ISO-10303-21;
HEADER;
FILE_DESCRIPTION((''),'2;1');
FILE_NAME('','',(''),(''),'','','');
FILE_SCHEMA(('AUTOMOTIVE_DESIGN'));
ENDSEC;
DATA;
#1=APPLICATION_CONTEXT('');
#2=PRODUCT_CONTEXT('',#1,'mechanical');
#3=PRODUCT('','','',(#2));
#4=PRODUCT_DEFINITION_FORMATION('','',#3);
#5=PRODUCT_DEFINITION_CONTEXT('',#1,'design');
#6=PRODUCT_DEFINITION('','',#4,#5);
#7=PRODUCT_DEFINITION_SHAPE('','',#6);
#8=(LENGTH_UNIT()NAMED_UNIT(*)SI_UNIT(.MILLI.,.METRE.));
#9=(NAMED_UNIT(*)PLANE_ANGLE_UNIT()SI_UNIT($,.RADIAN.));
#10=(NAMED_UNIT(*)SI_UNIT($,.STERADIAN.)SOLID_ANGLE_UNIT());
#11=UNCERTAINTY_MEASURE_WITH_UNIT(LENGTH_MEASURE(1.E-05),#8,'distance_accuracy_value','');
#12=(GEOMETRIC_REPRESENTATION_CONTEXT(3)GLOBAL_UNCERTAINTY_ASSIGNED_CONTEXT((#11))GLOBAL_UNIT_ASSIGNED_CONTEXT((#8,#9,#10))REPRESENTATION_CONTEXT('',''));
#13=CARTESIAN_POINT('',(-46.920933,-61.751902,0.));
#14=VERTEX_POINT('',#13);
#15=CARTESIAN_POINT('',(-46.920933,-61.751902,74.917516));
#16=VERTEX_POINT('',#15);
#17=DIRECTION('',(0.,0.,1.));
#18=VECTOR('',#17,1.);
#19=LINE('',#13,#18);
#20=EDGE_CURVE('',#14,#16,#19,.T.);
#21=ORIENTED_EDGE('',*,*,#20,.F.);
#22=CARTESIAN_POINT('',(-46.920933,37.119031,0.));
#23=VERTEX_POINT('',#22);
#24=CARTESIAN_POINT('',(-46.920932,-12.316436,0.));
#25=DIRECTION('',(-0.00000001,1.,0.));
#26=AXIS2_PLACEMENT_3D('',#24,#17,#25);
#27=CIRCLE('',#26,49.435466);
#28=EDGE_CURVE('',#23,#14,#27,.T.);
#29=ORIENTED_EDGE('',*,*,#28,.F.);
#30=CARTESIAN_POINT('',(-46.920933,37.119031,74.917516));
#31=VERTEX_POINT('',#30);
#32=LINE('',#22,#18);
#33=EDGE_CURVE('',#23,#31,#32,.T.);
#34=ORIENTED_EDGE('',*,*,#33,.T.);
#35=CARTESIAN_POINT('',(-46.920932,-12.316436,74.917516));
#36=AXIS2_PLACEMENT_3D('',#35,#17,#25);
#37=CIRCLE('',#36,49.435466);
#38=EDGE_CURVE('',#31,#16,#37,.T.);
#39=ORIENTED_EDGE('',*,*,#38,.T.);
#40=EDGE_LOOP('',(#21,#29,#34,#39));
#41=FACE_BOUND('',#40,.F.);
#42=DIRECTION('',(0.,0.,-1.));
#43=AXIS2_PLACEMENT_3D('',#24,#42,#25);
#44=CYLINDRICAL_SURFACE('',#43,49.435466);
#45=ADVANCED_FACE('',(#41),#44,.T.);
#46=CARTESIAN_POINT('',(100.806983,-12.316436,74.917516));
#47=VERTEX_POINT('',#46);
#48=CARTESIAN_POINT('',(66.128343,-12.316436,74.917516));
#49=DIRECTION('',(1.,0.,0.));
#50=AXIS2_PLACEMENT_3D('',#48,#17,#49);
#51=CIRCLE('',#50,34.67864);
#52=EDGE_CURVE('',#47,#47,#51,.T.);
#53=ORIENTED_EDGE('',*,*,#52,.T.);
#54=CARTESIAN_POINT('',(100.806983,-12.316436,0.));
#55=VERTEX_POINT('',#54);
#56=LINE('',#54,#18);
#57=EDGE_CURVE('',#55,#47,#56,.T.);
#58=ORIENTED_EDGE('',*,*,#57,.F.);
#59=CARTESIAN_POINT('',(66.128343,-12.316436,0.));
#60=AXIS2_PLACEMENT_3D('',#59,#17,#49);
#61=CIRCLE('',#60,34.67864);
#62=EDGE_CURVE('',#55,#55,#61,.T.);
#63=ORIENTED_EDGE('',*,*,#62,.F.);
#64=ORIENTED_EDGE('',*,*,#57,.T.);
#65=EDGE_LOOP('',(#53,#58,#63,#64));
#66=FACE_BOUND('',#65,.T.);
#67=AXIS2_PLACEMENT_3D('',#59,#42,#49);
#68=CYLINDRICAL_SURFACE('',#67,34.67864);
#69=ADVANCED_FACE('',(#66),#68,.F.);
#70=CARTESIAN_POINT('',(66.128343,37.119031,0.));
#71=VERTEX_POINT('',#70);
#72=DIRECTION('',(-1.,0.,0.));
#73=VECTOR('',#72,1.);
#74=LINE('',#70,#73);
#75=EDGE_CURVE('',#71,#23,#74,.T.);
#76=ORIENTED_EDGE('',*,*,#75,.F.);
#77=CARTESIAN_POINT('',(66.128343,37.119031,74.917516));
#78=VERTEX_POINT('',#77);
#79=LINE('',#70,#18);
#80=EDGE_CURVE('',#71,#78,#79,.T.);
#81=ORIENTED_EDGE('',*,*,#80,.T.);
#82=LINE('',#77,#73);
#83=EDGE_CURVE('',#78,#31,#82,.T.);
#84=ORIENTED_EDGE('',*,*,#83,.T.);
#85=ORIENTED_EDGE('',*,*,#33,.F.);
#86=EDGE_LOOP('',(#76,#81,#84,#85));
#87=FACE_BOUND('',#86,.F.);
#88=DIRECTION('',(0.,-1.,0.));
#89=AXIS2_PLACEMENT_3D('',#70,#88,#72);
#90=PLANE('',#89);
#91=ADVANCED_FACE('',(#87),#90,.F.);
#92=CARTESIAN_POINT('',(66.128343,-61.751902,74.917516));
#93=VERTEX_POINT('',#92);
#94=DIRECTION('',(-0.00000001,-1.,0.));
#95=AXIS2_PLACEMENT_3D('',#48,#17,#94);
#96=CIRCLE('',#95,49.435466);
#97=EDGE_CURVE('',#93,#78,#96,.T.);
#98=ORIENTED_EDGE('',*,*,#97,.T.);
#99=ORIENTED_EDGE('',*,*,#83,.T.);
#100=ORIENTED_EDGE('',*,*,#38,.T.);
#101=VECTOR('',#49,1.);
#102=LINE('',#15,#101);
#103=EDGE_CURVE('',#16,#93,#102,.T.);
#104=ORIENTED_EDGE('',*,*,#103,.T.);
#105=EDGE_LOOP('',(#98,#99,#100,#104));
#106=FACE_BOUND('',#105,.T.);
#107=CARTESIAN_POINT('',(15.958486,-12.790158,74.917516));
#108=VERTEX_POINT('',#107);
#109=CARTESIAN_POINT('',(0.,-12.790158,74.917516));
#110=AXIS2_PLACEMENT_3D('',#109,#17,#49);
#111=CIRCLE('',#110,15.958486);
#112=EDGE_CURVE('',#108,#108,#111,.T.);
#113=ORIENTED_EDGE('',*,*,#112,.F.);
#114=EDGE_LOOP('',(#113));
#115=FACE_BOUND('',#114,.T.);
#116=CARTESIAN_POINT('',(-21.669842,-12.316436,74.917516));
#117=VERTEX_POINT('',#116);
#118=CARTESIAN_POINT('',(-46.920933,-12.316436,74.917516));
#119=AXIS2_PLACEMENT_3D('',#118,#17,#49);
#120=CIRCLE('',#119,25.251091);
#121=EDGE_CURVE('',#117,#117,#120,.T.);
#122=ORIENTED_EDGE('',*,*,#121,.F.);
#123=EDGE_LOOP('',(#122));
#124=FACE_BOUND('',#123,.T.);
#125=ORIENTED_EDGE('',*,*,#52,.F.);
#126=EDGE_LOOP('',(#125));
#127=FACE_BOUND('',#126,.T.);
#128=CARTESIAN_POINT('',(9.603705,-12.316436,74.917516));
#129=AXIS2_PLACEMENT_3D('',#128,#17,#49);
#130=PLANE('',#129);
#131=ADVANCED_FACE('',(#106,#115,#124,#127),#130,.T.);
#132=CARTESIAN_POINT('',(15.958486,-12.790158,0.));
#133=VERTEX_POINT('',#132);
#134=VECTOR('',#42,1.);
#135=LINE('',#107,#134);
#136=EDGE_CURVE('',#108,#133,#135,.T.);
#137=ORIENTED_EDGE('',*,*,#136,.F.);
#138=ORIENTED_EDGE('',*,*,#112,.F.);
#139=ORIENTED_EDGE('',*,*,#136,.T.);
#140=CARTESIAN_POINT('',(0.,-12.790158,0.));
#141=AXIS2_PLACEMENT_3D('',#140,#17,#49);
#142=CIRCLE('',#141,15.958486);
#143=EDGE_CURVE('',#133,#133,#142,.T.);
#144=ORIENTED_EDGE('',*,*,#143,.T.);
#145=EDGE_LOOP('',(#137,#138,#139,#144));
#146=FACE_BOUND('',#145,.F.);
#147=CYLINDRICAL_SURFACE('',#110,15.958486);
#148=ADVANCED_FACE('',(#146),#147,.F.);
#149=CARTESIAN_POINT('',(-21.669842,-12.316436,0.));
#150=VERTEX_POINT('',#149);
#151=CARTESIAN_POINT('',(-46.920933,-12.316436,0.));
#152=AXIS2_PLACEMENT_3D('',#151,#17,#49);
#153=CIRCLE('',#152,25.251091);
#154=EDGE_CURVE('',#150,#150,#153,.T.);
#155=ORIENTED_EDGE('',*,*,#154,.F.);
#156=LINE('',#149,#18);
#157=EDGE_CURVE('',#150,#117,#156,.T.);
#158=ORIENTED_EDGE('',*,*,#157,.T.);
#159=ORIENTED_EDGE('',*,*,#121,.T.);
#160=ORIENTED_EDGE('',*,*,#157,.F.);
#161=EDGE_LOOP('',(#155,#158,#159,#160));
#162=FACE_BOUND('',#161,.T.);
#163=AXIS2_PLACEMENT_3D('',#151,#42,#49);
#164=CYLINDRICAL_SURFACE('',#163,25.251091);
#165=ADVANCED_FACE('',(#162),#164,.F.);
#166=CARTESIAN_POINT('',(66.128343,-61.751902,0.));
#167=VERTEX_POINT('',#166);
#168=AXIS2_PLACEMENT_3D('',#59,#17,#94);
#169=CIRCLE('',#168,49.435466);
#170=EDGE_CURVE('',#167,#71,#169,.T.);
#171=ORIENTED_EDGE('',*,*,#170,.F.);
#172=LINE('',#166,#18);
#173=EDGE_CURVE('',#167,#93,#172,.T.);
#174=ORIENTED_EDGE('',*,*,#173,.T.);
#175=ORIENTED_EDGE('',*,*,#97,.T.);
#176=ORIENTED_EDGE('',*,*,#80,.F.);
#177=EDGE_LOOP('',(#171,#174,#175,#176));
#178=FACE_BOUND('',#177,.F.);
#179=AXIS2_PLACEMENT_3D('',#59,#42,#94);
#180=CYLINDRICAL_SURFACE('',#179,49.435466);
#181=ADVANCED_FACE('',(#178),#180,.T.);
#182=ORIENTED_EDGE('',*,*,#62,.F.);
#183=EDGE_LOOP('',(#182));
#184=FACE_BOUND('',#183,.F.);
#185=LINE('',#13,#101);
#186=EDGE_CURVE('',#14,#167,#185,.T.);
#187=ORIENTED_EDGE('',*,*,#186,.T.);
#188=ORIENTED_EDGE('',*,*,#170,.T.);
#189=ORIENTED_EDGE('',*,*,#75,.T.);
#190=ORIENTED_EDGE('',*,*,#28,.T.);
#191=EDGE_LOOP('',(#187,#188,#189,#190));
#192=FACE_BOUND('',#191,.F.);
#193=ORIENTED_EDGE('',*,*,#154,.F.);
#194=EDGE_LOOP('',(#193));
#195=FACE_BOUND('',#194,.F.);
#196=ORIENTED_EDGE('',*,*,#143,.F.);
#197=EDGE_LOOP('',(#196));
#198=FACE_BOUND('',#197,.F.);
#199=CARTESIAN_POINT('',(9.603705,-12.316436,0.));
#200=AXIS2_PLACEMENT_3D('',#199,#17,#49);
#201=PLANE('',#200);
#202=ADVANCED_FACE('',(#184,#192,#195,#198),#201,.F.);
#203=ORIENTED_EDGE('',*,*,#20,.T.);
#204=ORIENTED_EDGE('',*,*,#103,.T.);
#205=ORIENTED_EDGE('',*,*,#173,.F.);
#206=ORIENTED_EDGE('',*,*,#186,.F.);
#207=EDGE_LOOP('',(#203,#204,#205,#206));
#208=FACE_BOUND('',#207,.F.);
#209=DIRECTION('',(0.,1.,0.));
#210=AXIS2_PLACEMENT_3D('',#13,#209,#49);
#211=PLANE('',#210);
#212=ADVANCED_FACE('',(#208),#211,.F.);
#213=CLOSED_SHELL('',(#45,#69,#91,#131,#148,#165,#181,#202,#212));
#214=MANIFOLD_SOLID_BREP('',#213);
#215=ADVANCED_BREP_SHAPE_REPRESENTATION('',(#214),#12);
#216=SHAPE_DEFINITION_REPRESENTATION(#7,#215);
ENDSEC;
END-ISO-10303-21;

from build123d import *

# Parameters (mm, degrees)
F0_R     = 25.251091
F0_R_2   = 34.67864
F1_DEPTH = 74.917516
F3_R     = 15.958486
F4_DEPTH = 166.148052


with BuildPart() as f1:
    # F0 (on Top) → F1 (new body)
    with BuildSketch(Plane.XY):
        with BuildLine():
            Line((66.128343, 37.119031), (-46.920933, 37.119031))
            ThreePointArc((-46.920933, 37.119031), (-96.356399, -12.316436), (-46.920933, -61.751902))
            Line((-46.920933, -61.751902), (66.128343, -61.751902))
            ThreePointArc((66.128343, -61.751902), (115.56381, -12.316436), (66.128343, 37.119031))
        make_face()
        with Locations((-46.920933, -12.316436)):
            Circle(F0_R, mode=Mode.SUBTRACT)
        with Locations((66.128343, -12.316436)):
            Circle(F0_R_2, mode=Mode.SUBTRACT)
    extrude(amount=F1_DEPTH)

    # F3 (on face) → F4 (cut)
    with BuildSketch(Plane.XY.offset(74.917516)):
        with Locations((0, -12.790158)):
            Circle(F3_R)
    extrude(amount=-F4_DEPTH, mode=Mode.SUBTRACT)


solid = f1.part
